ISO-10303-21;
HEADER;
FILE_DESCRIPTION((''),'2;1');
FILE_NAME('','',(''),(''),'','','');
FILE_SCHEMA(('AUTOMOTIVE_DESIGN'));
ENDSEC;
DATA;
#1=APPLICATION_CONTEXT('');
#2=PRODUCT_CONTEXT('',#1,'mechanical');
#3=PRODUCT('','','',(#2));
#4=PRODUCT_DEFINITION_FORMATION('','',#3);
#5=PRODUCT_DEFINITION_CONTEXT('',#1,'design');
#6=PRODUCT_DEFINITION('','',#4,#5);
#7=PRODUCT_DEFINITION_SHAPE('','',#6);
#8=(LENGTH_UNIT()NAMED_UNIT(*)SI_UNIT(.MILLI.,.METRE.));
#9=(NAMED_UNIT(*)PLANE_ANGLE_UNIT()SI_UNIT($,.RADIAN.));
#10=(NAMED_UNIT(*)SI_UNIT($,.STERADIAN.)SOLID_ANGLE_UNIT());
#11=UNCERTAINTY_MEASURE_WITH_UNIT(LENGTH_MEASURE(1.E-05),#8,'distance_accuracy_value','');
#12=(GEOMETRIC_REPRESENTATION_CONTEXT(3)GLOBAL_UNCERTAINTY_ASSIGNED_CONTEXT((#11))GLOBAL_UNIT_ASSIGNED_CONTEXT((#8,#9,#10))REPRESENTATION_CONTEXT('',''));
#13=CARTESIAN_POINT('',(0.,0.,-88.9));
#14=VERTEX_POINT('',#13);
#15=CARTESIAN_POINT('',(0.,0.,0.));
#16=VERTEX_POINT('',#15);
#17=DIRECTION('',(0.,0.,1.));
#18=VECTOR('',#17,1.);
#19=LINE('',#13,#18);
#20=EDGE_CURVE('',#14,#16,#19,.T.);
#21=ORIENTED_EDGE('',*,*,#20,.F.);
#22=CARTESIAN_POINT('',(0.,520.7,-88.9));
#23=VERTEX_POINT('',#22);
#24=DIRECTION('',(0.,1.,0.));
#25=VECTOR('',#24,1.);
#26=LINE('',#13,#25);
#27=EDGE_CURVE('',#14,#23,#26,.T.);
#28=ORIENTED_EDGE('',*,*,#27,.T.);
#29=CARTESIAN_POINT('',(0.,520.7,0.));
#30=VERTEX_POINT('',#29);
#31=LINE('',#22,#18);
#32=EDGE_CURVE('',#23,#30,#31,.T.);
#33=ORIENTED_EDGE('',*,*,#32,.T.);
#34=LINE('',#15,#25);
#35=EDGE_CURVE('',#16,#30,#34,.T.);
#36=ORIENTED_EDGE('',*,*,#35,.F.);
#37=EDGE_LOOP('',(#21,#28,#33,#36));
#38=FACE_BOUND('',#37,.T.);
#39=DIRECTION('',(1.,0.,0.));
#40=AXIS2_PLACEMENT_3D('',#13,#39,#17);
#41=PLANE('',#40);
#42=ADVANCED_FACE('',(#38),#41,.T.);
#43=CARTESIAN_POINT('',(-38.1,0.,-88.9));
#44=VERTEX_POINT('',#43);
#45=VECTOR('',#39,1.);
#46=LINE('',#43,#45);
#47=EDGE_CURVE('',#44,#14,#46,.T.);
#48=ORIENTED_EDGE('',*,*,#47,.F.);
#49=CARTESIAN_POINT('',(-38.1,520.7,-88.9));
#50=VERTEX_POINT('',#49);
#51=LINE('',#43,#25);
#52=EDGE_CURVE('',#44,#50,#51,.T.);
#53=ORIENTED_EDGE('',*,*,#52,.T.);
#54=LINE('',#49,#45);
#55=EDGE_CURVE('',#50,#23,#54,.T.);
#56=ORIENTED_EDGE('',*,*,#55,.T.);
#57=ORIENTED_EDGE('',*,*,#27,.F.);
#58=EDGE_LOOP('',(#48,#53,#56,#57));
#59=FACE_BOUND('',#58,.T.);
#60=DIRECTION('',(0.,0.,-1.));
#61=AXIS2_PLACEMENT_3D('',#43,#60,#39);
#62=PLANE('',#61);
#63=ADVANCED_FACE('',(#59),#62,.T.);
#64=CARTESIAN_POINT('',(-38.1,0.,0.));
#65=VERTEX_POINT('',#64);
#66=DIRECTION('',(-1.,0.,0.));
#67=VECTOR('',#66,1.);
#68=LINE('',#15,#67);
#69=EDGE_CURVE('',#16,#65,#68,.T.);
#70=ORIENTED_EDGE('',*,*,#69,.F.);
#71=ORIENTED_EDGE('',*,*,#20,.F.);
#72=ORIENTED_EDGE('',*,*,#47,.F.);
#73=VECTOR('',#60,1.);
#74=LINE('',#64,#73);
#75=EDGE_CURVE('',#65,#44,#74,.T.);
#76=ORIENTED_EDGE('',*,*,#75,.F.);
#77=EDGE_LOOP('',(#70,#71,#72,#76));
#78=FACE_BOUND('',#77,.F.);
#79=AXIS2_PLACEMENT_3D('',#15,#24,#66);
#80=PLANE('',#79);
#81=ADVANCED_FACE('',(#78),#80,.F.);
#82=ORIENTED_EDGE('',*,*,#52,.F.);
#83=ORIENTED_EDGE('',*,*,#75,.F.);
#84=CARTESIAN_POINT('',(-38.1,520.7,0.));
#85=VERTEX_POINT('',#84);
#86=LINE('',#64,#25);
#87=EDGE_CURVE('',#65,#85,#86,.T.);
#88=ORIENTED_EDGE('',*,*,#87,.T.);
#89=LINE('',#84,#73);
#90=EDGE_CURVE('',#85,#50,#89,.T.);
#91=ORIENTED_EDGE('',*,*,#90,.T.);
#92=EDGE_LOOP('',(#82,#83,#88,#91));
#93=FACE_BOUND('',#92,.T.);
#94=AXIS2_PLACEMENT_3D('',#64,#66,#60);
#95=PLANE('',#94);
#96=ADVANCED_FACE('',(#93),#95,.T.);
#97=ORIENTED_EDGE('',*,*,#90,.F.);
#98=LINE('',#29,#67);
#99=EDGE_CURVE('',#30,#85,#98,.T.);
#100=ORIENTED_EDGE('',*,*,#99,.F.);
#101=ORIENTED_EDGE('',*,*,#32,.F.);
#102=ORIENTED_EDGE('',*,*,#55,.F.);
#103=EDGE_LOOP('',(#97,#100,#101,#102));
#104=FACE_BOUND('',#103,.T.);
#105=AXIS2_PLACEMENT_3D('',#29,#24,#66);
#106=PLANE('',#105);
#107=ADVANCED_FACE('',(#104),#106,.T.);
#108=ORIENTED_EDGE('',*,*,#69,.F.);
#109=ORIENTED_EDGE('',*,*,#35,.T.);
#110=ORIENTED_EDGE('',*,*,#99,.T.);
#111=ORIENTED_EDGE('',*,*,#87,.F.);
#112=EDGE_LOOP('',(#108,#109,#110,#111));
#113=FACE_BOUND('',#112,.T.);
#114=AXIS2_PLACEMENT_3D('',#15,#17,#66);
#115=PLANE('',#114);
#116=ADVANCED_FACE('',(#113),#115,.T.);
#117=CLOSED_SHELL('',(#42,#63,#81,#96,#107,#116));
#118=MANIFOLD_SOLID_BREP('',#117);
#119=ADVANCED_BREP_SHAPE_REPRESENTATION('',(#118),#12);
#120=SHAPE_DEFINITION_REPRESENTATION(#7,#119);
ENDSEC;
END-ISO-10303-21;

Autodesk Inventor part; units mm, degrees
ref_plane "YZ Plane" through (0, 0, 0) normal (1, 0, 0) x (0, 1, 0)
ref_plane "XZ Plane" through (0, 0, 0) normal (0, 1, 0) x (-1, 0, 0)
ref_plane "XY Plane" through (0, 0, 0) normal (0, 0, 1) x (1, 0, 0)
sketch "Sketch1" plane through (0, 0, 0) normal (0, 1, 0) x (-1, 0, 0)
  line L0 (0, 0) -> (38.1, 0)
  line L1 (38.1, 0) -> (38.1, -88.9)
  line L2 (38.1, -88.9) -> (0, -88.9)
  line L3 (0, -88.9) -> (0, 0)
  dimension "d0" = 38.1
  dimension "d1" = 88.9
extrude "Extrusion1" add sketch "Sketch1" along normal blind 520.7
properties part number "2x4x22.5"
